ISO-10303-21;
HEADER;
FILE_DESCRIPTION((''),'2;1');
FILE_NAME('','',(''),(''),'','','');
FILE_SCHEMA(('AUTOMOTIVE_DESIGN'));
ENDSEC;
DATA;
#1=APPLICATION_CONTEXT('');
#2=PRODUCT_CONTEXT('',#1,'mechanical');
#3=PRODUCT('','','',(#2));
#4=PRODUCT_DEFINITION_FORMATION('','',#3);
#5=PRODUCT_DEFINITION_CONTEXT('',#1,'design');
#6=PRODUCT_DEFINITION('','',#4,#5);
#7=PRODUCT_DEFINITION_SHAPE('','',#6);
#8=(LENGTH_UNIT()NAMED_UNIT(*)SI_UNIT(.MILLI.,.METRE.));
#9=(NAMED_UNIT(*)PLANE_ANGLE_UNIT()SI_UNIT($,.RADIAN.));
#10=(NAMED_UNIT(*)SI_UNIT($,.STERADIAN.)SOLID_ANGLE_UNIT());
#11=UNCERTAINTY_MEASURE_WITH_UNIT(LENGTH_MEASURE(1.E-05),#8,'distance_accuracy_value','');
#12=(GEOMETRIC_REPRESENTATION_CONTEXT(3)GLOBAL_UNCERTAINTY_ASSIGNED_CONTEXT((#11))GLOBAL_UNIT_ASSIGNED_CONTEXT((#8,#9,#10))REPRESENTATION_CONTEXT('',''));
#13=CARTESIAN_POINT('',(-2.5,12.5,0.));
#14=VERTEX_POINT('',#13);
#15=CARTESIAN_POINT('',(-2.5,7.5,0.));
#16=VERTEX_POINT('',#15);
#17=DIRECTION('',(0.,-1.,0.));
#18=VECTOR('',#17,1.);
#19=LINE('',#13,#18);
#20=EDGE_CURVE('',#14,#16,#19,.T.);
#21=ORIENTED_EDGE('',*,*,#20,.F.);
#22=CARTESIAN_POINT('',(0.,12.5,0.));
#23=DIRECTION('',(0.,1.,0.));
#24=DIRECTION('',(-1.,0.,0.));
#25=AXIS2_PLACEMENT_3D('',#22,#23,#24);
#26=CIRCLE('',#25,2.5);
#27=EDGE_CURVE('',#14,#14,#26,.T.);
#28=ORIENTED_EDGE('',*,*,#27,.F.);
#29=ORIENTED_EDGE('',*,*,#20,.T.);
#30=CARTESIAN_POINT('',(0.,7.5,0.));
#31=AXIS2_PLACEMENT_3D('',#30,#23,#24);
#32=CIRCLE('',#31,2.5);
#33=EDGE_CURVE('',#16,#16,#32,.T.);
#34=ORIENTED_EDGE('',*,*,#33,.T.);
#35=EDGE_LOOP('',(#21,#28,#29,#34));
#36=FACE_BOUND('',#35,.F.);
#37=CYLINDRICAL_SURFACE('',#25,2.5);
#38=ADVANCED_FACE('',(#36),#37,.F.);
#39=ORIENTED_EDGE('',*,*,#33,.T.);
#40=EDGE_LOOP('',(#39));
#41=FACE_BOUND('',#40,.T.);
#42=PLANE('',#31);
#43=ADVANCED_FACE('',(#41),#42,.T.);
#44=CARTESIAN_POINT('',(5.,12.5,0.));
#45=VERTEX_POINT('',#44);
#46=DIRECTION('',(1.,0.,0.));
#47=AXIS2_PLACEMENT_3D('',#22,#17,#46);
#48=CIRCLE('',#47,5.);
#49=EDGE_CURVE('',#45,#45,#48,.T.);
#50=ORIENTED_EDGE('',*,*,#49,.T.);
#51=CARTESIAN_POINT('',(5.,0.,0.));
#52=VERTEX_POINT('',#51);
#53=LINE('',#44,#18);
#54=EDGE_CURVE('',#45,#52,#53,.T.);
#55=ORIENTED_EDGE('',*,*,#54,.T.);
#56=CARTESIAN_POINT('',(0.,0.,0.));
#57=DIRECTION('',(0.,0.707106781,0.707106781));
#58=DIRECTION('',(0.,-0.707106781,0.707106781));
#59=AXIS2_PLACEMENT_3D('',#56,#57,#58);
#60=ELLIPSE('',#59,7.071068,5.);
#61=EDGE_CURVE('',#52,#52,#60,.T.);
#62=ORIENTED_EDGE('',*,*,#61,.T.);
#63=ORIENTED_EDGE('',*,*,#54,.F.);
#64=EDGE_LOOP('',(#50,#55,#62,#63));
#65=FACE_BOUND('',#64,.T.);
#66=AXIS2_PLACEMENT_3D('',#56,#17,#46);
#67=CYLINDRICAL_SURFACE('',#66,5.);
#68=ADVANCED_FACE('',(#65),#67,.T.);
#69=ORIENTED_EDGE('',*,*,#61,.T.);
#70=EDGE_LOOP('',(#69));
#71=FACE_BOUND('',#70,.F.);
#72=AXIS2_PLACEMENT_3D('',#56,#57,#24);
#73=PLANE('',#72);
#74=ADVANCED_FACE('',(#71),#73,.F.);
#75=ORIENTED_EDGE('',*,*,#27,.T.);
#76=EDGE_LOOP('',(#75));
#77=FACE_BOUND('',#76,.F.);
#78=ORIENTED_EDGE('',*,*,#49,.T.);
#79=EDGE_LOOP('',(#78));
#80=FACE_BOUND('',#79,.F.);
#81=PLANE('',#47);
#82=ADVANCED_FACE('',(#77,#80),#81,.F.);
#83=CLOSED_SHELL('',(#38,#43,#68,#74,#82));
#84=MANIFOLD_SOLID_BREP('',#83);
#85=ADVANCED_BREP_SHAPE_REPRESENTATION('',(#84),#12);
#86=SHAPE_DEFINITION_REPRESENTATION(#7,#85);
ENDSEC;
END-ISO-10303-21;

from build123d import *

# Parameters (mm, degrees)
F0_R     = 5
F1_DEPTH = 12.5
F3_W     = 50
F3_H     = 50
F4_DEPTH = 25
F5_R     = 2.5
F6_DEPTH = 5


with BuildPart() as f1:
    # F0 (on Front) → F1 (new body, symmetric)
    with BuildSketch(Plane.XZ):
        Circle(F0_R)
    extrude(amount=F1_DEPTH, both=True)

    # F3 (on face) → F4 (cut)
    with BuildSketch(Plane(origin=(0, 0, 0), x_dir=(-1, 0, 0), z_dir=(0, 0.707107, 0.707107))):
        Rectangle(F3_W, F3_H)
    extrude(amount=-F4_DEPTH, mode=Mode.SUBTRACT)

    # F5 (on face) → F6 (cut)
    with BuildSketch(Plane(origin=(0, 12.5, 0), x_dir=(-1, 0, 0), z_dir=(0, 1, 0))):
        Circle(F5_R)
    extrude(amount=-F6_DEPTH, mode=Mode.SUBTRACT)


solid = f1.part
